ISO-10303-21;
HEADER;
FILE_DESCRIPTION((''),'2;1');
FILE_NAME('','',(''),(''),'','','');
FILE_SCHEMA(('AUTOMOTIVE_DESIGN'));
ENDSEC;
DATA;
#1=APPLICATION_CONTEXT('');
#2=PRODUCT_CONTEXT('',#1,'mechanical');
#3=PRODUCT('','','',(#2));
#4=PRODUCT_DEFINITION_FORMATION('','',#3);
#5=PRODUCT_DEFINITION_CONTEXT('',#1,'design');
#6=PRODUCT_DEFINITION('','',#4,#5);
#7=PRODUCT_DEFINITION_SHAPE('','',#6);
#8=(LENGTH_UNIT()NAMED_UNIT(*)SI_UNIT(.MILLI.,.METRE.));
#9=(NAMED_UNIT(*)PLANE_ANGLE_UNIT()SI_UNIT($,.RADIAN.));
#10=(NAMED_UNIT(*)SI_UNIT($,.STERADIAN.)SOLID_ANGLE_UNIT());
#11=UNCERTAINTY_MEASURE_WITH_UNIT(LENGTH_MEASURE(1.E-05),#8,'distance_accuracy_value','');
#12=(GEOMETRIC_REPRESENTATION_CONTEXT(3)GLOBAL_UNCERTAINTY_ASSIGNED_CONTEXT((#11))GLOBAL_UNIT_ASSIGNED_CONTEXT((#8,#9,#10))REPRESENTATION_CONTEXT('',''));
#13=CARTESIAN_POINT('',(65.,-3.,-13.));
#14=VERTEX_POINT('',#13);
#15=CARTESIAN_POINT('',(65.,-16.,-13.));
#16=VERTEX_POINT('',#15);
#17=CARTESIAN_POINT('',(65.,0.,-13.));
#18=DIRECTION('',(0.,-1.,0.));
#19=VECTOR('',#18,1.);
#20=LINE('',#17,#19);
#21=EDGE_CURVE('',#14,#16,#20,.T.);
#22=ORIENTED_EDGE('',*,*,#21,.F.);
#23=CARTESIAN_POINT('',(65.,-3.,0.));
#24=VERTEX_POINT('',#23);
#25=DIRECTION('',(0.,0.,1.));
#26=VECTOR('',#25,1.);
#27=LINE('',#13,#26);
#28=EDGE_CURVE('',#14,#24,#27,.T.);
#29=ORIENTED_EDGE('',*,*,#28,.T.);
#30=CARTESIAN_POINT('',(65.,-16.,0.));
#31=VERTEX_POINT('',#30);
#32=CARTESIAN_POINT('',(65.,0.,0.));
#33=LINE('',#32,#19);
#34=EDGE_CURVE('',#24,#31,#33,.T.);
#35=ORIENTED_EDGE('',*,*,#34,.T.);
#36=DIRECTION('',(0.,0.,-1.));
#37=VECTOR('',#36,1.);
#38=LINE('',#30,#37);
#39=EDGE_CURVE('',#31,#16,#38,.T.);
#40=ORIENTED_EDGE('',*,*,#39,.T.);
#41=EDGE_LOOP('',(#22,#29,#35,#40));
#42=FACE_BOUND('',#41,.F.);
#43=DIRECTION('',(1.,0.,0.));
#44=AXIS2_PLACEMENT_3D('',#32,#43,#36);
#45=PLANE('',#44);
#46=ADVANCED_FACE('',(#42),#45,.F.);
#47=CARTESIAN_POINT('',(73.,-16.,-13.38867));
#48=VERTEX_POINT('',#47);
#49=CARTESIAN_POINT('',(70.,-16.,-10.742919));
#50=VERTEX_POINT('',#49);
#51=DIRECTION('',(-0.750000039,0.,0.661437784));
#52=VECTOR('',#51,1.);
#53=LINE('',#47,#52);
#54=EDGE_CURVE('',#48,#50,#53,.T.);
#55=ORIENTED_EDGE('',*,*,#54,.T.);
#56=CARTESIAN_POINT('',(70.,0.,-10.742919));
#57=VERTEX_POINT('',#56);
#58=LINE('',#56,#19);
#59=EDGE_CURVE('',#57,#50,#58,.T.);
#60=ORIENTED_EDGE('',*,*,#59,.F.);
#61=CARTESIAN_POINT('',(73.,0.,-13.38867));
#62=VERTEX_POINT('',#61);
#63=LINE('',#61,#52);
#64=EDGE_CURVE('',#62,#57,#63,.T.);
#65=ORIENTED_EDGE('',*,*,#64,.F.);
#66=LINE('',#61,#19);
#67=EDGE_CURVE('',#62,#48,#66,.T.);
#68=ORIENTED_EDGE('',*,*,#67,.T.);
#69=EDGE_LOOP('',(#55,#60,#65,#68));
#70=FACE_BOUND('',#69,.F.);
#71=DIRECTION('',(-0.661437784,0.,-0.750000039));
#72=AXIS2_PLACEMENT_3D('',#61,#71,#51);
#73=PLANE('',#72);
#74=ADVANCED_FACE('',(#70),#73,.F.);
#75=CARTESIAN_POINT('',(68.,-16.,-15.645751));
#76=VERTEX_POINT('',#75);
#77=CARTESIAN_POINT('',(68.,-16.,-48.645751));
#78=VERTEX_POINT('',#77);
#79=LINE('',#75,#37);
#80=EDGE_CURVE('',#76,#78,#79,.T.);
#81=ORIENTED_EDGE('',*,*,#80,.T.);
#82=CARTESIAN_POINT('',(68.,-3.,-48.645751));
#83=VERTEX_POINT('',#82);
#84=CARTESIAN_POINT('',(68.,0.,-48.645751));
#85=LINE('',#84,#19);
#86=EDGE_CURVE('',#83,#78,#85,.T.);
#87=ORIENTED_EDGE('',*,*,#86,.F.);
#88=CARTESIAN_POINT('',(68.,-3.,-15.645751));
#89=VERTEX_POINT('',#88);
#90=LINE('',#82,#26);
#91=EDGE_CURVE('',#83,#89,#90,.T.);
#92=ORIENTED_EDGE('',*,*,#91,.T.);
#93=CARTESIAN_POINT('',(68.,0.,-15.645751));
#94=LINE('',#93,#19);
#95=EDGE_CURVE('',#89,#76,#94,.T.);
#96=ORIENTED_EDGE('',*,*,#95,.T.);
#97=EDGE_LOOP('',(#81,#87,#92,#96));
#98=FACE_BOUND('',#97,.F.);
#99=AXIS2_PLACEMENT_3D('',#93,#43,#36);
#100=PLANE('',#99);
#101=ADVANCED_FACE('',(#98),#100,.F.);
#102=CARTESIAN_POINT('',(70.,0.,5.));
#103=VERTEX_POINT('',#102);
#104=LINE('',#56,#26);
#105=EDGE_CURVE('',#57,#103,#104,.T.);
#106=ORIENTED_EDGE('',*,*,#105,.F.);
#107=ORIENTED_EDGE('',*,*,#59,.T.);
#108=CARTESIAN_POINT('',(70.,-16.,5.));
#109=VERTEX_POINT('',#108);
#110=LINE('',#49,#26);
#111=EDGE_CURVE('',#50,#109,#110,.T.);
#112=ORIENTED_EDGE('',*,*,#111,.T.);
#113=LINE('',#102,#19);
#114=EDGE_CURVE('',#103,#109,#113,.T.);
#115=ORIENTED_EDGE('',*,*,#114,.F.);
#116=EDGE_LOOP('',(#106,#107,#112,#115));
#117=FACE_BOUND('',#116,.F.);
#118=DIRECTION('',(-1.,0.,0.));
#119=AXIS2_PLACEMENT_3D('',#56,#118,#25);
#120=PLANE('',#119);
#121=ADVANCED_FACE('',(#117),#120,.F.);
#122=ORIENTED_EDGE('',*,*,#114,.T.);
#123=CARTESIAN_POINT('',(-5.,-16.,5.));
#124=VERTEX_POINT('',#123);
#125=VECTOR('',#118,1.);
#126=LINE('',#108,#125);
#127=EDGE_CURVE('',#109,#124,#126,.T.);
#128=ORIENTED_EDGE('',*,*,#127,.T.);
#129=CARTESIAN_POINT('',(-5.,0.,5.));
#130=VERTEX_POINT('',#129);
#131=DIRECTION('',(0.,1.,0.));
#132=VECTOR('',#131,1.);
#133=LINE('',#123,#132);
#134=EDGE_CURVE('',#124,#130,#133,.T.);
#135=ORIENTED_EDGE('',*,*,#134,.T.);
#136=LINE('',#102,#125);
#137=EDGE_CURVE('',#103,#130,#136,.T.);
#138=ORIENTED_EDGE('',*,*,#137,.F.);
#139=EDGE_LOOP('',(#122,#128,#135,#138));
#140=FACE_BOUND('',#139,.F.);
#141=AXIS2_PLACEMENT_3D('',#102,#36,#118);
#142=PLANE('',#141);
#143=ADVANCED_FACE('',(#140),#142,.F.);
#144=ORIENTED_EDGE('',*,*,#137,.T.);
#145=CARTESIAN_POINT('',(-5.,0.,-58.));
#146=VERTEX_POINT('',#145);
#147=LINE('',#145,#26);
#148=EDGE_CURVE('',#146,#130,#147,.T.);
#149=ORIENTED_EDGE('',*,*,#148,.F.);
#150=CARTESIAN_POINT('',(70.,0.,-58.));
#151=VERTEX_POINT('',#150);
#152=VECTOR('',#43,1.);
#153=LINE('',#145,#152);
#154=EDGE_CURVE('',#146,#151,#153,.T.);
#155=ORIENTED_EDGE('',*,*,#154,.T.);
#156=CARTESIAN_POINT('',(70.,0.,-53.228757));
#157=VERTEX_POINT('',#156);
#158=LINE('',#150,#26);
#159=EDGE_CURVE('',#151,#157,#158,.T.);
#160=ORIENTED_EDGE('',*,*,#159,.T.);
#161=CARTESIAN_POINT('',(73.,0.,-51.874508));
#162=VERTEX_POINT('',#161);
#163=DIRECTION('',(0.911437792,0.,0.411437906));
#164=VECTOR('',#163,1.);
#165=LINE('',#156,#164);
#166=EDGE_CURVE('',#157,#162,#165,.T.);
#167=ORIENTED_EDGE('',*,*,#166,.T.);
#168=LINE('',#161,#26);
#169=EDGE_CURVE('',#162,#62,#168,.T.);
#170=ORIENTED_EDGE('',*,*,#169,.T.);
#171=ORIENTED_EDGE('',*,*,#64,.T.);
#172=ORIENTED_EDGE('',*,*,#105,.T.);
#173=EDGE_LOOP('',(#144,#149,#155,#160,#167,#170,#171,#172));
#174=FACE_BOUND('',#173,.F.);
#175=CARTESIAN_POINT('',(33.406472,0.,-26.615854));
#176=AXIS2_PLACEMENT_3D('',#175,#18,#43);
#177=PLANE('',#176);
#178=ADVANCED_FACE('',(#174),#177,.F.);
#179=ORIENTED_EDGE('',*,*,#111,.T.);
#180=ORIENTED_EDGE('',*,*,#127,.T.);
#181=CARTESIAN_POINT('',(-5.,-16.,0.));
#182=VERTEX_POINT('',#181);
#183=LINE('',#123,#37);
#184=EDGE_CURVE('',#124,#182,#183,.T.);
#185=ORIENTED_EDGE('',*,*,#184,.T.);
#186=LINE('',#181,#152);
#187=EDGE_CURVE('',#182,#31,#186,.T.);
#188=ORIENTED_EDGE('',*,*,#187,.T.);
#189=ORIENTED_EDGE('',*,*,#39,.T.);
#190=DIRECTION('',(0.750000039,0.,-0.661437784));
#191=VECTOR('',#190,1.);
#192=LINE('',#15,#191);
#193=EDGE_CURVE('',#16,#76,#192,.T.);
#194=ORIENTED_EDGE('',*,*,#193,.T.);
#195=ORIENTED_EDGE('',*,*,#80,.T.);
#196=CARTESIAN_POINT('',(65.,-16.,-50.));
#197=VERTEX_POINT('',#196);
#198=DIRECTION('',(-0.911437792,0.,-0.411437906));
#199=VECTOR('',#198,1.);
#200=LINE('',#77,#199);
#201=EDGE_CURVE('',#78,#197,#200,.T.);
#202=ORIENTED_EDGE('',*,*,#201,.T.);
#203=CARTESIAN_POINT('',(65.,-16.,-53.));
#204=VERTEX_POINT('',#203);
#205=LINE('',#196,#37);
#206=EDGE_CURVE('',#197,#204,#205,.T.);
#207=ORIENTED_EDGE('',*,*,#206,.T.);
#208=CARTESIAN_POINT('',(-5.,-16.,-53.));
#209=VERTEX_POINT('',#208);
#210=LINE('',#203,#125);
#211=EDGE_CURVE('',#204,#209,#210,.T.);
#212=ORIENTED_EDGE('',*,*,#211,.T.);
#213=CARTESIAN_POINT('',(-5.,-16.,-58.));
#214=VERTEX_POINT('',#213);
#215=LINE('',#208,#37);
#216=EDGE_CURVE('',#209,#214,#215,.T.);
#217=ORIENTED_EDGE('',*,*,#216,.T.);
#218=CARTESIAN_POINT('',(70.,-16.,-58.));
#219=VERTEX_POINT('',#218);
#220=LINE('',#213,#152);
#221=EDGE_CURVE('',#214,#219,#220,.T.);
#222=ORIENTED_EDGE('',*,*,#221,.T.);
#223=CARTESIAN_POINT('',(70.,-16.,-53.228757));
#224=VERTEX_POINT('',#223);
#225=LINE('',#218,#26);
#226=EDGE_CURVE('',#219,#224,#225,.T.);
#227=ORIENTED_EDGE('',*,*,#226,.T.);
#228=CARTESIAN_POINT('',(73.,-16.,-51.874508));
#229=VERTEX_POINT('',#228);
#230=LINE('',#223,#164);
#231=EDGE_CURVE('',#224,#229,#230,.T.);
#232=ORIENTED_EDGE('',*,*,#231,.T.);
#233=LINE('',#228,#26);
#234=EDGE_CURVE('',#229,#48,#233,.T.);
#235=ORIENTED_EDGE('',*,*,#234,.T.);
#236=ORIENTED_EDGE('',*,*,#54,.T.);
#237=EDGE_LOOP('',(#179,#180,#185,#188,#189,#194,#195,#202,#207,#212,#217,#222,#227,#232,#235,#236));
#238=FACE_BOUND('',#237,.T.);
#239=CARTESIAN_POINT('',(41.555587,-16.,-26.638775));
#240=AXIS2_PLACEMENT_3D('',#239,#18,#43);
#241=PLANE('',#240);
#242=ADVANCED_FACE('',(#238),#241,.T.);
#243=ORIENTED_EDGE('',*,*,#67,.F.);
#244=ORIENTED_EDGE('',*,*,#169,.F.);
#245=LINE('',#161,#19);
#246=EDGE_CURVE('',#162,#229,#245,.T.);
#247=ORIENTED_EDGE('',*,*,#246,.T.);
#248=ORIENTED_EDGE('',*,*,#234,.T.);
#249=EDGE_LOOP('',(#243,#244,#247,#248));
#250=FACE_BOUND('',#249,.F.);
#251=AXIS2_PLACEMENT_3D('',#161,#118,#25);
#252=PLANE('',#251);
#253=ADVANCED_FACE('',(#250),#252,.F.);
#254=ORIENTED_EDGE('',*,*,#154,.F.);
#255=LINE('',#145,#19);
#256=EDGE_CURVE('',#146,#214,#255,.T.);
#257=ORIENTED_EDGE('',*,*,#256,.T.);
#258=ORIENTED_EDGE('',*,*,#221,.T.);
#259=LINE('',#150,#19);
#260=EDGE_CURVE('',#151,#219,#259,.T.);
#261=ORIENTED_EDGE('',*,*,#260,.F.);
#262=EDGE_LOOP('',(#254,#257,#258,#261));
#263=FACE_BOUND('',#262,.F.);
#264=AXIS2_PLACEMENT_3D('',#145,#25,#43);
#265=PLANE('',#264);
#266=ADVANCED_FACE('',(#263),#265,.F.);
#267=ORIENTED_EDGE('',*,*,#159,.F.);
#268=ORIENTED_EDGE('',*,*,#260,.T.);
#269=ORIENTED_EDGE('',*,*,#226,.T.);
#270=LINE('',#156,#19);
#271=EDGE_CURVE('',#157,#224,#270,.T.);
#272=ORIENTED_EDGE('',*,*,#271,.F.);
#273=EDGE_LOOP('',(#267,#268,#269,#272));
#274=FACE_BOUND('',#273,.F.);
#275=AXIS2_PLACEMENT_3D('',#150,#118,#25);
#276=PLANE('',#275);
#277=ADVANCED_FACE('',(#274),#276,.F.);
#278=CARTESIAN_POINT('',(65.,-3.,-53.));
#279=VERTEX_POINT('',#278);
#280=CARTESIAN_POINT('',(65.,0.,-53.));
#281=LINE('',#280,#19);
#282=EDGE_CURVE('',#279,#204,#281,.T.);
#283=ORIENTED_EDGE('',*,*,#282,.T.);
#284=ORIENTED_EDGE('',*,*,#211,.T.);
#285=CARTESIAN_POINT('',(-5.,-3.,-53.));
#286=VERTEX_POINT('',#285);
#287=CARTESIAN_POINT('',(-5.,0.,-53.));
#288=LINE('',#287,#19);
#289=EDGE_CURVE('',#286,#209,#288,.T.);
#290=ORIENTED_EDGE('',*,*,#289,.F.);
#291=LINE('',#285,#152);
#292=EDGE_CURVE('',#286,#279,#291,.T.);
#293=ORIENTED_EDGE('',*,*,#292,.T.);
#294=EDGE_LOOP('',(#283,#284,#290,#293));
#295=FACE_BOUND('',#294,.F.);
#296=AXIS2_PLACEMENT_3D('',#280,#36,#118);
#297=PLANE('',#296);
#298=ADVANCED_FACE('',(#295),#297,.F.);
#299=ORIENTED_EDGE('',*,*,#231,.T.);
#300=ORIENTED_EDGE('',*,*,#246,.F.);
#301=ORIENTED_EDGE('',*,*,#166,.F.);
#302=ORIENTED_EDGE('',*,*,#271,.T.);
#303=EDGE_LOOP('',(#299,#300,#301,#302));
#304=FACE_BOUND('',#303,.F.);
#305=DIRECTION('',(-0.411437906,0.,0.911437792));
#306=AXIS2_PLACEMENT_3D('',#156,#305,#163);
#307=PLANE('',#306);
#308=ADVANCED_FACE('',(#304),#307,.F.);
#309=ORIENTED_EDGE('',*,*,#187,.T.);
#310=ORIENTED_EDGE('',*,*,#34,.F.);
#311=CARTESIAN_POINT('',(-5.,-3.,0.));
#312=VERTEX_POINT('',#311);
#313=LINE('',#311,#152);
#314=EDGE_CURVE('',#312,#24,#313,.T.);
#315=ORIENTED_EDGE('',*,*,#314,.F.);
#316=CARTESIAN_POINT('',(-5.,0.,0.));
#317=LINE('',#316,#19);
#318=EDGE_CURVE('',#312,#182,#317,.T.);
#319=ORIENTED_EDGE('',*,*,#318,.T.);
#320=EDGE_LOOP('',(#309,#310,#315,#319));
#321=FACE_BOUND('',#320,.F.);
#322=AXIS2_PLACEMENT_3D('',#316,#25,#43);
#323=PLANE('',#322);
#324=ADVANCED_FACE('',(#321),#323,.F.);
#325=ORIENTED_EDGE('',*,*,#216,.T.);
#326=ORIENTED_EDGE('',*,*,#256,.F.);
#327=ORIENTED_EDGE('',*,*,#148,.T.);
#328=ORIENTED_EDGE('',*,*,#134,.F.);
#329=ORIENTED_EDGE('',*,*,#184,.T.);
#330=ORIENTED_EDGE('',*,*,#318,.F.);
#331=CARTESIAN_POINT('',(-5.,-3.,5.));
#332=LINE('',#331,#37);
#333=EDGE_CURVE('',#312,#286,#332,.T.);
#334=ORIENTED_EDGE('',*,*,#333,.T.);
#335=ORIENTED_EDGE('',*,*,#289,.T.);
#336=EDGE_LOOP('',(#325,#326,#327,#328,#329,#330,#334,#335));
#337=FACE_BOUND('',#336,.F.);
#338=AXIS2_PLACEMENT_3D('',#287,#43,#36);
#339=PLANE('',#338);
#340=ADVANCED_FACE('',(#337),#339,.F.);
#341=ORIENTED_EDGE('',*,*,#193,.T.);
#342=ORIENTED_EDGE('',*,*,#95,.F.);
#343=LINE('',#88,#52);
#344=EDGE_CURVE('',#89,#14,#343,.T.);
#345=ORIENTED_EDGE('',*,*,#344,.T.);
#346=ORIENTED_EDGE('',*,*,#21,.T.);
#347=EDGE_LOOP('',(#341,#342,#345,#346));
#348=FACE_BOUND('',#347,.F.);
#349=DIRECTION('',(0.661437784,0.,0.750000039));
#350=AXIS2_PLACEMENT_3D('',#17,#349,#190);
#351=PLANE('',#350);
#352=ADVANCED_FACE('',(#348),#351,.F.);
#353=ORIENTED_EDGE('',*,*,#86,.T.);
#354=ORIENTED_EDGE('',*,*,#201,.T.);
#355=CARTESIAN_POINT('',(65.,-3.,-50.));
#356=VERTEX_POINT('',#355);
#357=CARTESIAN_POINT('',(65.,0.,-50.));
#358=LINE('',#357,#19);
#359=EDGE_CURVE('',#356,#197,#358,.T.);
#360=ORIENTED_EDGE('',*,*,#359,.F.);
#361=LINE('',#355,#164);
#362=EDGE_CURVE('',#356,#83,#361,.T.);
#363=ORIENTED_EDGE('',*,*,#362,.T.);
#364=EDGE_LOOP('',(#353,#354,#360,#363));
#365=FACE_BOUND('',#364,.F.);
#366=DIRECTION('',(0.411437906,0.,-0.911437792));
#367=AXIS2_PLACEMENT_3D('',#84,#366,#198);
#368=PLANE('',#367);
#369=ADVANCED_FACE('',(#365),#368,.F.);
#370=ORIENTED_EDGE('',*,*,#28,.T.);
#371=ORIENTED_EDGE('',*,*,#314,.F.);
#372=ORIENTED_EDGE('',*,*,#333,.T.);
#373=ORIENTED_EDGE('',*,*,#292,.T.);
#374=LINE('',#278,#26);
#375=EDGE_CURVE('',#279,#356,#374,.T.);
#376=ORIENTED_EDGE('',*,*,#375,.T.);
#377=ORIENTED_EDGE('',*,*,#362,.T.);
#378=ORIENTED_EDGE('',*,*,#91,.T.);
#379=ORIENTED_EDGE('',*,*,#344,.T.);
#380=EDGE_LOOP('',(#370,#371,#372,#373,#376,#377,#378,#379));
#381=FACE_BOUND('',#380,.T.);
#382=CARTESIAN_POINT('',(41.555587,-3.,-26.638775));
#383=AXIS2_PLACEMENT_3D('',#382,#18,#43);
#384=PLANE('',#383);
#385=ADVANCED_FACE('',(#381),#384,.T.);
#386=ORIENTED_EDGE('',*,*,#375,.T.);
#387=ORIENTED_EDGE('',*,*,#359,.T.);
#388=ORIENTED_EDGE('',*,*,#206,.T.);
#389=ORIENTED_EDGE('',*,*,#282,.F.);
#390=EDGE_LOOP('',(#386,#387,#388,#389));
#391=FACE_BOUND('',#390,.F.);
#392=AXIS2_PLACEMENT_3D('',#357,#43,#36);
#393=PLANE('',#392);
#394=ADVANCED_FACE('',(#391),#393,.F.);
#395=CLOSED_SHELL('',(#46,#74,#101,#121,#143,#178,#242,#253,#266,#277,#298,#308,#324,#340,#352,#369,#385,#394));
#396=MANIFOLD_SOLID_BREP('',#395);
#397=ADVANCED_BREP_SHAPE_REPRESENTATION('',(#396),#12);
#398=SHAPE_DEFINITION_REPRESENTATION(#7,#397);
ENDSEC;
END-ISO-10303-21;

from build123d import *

# Parameters (mm, degrees)
F1_DEPTH = 16
F0_W     = 5
F0_H     = 53
F2_DEPTH = 1.7
F3_DEPTH = 3
F4_DEPTH = 3


with BuildPart() as f1:
    # F0 (on Front) → F1 (new body)
    with BuildSketch(Plane.XZ):
        Polygon((-5, 0), (0, 0), (65, 0), (65, -13), (68, -15.645751), (68, -48.645751), (65, -50), (65, -53), (0, -53), (-5, -53), (-5, -58), (70, -58), (70, -53.228757), (73, -51.874508), (73, -13.38867), (70, -10.742919), (70, 5), (-5, 5), align=None)
    extrude(amount=F1_DEPTH)

    # F0 (on Front) → F2 (join)
    with BuildSketch(Plane.XZ):
        Polygon((-5, 0), (0, 0), (65, 0), (65, -13), (68, -15.645751), (68, -48.645751), (65, -50), (65, -53), (0, -53), (-5, -53), (-5, -58), (70, -58), (70, -53.228757), (73, -51.874508), (73, -13.38867), (70, -10.742919), (70, 5), (-5, 5), align=None)
        with Locations((-2.5, -26.5)):
            Rectangle(F0_W, F0_H)
    extrude(amount=F2_DEPTH)

    # F0 (on Front) → F3 (join)
    with BuildSketch(Plane.XZ):
        Polygon((-5, 0), (0, 0), (65, 0), (65, -13), (68, -15.645751), (68, -48.645751), (65, -50), (65, -53), (0, -53), (-5, -53), (-5, -58), (70, -58), (70, -53.228757), (73, -51.874508), (73, -13.38867), (70, -10.742919), (70, 5), (-5, 5), align=None)
        with Locations((-2.5, -26.5)):
            Rectangle(F0_W, F0_H)
    extrude(amount=F3_DEPTH)

    # F0 (on Front) → F4 (join)
    with BuildSketch(Plane.XZ):
        Polygon((65, 0), (0, 0), (0, -53), (65, -53), (65, -50), (68, -48.645751), (68, -15.645751), (65, -13), align=None)
    extrude(amount=F4_DEPTH)


solid = f1.part
